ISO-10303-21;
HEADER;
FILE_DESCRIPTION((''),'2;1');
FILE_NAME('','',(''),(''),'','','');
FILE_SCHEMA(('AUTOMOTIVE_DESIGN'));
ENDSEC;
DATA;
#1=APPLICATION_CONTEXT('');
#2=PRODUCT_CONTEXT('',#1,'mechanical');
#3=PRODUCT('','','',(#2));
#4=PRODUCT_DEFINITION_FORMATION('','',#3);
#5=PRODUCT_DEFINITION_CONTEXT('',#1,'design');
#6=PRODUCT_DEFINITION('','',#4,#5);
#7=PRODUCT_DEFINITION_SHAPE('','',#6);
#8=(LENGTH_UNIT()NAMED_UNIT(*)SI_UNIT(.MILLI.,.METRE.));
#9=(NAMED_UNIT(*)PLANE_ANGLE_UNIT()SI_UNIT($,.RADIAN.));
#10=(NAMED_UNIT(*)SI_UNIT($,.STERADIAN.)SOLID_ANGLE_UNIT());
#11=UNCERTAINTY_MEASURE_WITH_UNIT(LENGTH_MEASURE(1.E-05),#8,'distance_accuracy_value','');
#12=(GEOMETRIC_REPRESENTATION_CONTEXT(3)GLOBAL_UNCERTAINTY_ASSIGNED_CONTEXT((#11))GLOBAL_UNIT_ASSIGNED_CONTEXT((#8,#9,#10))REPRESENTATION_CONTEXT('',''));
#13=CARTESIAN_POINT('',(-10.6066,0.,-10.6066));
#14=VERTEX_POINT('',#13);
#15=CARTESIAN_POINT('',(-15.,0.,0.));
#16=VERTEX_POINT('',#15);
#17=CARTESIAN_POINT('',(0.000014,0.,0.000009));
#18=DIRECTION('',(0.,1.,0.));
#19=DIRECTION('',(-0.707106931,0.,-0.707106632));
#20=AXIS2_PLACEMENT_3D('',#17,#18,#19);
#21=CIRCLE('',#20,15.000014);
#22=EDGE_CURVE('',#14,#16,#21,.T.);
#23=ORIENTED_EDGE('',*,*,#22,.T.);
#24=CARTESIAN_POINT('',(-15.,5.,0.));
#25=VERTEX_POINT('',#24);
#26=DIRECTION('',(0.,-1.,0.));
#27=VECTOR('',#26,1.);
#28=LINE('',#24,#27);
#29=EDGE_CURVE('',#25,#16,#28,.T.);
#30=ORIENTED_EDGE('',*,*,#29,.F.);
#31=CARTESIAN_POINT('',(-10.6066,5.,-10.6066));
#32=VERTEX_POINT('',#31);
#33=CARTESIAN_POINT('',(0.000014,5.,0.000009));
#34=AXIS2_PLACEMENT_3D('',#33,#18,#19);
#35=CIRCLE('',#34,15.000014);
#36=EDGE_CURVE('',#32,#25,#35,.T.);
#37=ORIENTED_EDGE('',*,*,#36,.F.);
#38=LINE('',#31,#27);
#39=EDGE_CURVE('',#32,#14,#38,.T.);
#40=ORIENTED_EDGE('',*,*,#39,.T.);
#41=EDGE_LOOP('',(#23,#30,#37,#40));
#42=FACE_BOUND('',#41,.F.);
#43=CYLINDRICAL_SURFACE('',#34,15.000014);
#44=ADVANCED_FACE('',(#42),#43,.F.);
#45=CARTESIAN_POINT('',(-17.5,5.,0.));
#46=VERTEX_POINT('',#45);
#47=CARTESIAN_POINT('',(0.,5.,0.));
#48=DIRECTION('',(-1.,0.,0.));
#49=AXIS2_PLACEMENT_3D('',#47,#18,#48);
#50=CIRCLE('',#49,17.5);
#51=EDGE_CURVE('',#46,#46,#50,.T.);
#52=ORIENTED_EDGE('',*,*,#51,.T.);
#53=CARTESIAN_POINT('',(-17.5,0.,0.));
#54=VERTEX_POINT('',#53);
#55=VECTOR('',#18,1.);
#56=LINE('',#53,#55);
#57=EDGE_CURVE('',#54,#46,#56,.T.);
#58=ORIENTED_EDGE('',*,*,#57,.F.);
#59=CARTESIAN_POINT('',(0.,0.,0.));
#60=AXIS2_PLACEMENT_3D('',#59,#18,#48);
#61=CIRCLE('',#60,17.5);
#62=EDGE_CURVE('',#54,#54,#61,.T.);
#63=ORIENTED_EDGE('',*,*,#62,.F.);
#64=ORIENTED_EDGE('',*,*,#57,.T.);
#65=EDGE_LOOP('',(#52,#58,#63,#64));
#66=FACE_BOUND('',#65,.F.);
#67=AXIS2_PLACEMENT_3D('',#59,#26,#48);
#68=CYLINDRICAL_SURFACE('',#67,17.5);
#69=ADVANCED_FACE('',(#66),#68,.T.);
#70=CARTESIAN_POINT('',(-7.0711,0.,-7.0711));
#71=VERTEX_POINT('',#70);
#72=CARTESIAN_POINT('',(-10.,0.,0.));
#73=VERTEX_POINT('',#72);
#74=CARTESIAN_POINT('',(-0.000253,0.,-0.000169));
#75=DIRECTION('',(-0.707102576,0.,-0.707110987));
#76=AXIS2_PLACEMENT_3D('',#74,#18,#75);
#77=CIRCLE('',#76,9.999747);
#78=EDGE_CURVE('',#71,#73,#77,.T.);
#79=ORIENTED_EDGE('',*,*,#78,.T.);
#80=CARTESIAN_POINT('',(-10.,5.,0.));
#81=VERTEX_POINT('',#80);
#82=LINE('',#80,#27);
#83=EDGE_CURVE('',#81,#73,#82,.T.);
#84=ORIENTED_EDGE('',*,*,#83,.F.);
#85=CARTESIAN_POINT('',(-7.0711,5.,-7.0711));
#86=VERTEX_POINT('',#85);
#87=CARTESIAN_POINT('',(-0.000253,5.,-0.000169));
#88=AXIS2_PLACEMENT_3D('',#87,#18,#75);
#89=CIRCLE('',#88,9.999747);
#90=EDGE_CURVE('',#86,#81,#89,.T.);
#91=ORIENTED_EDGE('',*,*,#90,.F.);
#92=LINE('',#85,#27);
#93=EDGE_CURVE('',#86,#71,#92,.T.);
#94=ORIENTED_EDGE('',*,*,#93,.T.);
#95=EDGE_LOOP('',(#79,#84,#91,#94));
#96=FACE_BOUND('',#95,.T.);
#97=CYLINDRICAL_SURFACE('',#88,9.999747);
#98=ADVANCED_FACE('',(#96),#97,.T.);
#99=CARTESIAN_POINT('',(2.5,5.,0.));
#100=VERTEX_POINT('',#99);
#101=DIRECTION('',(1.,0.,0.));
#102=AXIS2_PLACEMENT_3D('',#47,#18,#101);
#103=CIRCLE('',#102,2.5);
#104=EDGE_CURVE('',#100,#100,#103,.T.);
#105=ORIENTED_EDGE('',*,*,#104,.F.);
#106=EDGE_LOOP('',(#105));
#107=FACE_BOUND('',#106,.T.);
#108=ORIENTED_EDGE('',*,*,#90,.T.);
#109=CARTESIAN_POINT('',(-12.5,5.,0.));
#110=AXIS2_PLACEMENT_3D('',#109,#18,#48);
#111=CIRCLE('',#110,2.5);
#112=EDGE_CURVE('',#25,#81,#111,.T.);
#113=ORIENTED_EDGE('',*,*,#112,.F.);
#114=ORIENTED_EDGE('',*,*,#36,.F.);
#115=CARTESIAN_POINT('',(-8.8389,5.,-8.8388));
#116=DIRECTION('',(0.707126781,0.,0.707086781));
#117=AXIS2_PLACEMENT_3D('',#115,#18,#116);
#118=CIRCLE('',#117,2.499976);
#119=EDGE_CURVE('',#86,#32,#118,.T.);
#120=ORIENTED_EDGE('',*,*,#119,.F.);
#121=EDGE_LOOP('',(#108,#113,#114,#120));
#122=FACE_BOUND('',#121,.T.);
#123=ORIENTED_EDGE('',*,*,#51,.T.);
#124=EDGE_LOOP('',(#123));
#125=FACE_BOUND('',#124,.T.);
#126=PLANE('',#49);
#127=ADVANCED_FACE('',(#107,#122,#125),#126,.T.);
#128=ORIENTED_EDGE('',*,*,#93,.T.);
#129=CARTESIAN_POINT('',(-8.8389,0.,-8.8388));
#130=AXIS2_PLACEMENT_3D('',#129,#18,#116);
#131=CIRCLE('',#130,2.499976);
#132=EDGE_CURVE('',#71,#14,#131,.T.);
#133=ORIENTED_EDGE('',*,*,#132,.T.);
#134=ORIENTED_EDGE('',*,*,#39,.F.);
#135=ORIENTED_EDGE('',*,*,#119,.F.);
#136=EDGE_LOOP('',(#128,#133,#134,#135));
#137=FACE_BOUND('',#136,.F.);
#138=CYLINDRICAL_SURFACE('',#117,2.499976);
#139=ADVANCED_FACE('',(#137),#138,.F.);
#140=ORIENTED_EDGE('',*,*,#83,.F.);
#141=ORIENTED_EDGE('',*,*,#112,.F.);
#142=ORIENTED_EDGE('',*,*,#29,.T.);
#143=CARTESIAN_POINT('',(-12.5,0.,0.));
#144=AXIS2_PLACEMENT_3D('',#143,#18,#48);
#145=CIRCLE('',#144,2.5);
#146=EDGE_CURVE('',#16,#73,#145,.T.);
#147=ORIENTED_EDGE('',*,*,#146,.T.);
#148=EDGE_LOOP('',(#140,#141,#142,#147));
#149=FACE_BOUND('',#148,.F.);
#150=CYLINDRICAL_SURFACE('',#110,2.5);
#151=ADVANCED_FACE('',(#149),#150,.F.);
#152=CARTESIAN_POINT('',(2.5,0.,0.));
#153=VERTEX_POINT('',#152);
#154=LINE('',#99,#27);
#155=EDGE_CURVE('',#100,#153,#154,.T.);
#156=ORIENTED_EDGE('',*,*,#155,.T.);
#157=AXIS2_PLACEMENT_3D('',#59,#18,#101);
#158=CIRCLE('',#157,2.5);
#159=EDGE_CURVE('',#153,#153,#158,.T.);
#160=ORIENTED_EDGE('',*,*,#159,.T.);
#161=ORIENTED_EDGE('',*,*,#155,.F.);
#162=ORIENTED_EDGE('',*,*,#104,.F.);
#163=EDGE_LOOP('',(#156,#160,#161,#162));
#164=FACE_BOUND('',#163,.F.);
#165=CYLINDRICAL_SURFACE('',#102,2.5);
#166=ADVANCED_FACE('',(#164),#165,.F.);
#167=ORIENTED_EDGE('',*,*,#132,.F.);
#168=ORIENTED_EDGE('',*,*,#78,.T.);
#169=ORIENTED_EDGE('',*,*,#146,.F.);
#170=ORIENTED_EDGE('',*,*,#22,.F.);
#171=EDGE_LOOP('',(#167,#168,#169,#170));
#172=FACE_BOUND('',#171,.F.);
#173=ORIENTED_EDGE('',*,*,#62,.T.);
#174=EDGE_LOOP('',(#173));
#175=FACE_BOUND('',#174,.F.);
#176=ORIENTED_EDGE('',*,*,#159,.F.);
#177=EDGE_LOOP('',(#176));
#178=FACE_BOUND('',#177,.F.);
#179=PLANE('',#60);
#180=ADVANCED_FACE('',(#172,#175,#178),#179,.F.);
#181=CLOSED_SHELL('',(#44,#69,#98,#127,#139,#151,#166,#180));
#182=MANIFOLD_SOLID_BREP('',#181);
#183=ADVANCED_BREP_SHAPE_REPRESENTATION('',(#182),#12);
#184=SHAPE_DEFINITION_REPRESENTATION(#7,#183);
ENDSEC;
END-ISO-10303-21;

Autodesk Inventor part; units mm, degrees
ref_plane "YZ Plane" through (0, 0, 0) normal (1, 0, 0) x (0, 1, 0)
ref_plane "XZ Plane" through (0, 0, 0) normal (0, 1, 0) x (-1, 0, 0)
ref_plane "XY Plane" through (0, 0, 0) normal (0, 0, 1) x (1, 0, 0)
sketch "Sketch1" plane through (0, 0, 0) normal (0, 1, 0) x (-1, 0, 0)
  circle A0 centre (0, 0) radius 17.5
  dimension "d0" = 35
extrude "Extrusion1" add sketch "Sketch1" along normal blind 5
sketch "Sketch2" plane through (0, 5, 0) normal (0, 1, 0) x (1, 0, 0)
  arc A0 (-10.6066, 10.6066) -> (-15, 0) centre (0, 0) ccw
  line L0 (0, 0) -> (-10.6066, 10.6066) construction
  line L1 (0, 0) -> (-15, 0) construction
  arc A1 (-7.0711, 7.0711) -> (-10, 0) centre (0, 0) ccw
  arc A2 (-15, 0) -> (-10, 0) centre (-12.5, 0) ccw
  arc A3 (-7.0711, 7.0711) -> (-10.6066, 10.6066) centre (-8.8388, 8.8388) ccw
  dimension "kat" = 45
  dimension "d8" = 45
extrude "Extrusion2" cut sketch "Sketch2" against normal through all
sketch "Sketch3" plane through (0, 5, 0) normal (0, 1, 0) x (1, 0, 0)
  circle A0 centre (0, 0) radius 2.5
  dimension "d11" = 5
extrude "Extrusion3" cut sketch "Sketch3" against normal through all
equation "\"d8\" = kat"
